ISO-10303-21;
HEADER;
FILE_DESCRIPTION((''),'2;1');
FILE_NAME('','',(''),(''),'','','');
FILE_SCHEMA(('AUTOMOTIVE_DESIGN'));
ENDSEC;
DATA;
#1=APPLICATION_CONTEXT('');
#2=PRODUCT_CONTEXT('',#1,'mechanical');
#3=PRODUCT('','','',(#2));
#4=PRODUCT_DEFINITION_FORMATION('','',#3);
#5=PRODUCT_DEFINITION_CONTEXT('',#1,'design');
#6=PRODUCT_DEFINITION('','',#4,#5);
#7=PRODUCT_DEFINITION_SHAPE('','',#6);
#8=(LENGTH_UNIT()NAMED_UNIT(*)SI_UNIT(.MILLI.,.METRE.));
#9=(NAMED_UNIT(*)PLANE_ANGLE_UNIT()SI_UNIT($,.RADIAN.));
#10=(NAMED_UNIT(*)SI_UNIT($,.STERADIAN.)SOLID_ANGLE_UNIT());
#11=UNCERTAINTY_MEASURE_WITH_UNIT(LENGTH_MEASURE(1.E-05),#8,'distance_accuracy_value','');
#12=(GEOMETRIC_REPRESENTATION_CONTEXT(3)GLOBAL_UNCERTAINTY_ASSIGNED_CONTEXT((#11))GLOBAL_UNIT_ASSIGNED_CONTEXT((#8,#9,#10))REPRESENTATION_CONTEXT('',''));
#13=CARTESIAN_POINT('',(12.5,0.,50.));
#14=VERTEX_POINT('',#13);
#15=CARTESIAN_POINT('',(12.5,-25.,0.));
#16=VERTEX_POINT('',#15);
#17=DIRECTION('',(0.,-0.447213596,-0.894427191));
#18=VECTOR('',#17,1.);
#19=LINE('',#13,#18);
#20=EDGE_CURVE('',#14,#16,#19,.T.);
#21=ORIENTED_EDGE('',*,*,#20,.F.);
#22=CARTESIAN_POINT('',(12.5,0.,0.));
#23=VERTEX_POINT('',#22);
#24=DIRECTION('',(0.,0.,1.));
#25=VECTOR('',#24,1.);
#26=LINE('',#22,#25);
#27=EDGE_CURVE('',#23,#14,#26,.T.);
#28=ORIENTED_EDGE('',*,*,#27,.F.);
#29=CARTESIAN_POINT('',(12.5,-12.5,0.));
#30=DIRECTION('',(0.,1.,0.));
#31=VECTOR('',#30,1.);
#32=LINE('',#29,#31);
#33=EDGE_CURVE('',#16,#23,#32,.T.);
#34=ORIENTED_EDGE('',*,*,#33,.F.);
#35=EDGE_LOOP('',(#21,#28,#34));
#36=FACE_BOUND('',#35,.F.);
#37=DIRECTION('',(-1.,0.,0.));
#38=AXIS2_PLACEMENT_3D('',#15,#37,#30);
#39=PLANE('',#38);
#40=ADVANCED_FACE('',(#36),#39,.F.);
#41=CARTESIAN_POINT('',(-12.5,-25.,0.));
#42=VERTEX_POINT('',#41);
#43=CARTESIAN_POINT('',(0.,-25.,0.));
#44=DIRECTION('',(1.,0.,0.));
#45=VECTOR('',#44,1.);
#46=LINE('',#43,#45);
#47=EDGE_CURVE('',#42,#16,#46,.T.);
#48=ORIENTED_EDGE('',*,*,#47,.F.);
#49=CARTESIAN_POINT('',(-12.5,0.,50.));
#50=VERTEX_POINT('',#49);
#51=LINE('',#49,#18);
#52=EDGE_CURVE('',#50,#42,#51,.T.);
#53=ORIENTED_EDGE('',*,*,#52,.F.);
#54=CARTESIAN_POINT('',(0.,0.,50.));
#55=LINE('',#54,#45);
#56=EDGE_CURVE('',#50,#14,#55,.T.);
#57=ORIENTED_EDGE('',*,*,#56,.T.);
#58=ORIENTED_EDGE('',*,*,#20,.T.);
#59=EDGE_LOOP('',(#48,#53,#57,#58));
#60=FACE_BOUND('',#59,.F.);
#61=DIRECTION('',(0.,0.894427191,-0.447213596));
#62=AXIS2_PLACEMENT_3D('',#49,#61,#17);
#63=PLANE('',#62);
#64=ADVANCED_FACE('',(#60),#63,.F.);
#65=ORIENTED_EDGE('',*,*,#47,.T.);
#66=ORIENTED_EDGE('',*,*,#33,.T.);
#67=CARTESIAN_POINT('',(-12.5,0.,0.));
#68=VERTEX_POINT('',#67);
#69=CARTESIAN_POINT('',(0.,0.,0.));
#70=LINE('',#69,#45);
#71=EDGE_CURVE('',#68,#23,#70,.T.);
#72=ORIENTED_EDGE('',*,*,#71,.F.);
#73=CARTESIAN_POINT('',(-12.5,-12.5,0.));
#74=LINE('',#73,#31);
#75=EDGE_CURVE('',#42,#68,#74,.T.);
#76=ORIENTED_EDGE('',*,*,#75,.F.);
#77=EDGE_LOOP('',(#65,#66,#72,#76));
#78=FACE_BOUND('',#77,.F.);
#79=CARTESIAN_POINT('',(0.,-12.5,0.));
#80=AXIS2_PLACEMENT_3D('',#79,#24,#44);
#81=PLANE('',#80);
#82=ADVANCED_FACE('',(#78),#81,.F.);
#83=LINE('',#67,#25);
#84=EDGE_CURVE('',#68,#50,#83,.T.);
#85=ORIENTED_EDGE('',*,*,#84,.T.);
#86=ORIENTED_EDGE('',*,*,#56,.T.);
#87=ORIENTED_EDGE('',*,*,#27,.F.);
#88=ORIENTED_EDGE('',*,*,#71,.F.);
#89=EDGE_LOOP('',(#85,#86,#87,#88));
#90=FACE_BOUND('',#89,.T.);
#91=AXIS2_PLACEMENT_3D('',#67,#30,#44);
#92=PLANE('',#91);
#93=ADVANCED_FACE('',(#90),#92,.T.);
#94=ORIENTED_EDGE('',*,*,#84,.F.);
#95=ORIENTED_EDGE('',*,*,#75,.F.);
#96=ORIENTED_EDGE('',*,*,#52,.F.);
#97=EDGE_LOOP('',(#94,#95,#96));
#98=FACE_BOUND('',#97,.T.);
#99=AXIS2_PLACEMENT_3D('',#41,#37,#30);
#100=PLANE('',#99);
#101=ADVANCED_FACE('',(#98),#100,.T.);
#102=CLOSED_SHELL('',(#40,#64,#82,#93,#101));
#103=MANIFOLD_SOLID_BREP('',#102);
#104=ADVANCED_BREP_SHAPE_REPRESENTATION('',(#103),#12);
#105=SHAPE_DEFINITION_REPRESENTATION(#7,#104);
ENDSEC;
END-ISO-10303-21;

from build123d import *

# Parameters (mm, degrees)
F0_W     = 25
F0_H     = 25
F1_DEPTH = 50
F3_DEPTH = 25


with BuildPart() as f1:
    # F0 (on Top) → F1 (new body)
    with BuildSketch(Plane.XY):
        with Locations((0, -12.5)):
            Rectangle(F0_W, F0_H)
    extrude(amount=F1_DEPTH)

    # F2 (on face) → F3 (cut)
    with BuildSketch(Plane(origin=(-12.5, 0, 0), x_dir=(0, -1, 0), z_dir=(-1, 0, 0))):
        Polygon((25, 50), (0, 50), (25, 0), align=None)
    extrude(amount=-F3_DEPTH, mode=Mode.SUBTRACT)


solid = f1.part
